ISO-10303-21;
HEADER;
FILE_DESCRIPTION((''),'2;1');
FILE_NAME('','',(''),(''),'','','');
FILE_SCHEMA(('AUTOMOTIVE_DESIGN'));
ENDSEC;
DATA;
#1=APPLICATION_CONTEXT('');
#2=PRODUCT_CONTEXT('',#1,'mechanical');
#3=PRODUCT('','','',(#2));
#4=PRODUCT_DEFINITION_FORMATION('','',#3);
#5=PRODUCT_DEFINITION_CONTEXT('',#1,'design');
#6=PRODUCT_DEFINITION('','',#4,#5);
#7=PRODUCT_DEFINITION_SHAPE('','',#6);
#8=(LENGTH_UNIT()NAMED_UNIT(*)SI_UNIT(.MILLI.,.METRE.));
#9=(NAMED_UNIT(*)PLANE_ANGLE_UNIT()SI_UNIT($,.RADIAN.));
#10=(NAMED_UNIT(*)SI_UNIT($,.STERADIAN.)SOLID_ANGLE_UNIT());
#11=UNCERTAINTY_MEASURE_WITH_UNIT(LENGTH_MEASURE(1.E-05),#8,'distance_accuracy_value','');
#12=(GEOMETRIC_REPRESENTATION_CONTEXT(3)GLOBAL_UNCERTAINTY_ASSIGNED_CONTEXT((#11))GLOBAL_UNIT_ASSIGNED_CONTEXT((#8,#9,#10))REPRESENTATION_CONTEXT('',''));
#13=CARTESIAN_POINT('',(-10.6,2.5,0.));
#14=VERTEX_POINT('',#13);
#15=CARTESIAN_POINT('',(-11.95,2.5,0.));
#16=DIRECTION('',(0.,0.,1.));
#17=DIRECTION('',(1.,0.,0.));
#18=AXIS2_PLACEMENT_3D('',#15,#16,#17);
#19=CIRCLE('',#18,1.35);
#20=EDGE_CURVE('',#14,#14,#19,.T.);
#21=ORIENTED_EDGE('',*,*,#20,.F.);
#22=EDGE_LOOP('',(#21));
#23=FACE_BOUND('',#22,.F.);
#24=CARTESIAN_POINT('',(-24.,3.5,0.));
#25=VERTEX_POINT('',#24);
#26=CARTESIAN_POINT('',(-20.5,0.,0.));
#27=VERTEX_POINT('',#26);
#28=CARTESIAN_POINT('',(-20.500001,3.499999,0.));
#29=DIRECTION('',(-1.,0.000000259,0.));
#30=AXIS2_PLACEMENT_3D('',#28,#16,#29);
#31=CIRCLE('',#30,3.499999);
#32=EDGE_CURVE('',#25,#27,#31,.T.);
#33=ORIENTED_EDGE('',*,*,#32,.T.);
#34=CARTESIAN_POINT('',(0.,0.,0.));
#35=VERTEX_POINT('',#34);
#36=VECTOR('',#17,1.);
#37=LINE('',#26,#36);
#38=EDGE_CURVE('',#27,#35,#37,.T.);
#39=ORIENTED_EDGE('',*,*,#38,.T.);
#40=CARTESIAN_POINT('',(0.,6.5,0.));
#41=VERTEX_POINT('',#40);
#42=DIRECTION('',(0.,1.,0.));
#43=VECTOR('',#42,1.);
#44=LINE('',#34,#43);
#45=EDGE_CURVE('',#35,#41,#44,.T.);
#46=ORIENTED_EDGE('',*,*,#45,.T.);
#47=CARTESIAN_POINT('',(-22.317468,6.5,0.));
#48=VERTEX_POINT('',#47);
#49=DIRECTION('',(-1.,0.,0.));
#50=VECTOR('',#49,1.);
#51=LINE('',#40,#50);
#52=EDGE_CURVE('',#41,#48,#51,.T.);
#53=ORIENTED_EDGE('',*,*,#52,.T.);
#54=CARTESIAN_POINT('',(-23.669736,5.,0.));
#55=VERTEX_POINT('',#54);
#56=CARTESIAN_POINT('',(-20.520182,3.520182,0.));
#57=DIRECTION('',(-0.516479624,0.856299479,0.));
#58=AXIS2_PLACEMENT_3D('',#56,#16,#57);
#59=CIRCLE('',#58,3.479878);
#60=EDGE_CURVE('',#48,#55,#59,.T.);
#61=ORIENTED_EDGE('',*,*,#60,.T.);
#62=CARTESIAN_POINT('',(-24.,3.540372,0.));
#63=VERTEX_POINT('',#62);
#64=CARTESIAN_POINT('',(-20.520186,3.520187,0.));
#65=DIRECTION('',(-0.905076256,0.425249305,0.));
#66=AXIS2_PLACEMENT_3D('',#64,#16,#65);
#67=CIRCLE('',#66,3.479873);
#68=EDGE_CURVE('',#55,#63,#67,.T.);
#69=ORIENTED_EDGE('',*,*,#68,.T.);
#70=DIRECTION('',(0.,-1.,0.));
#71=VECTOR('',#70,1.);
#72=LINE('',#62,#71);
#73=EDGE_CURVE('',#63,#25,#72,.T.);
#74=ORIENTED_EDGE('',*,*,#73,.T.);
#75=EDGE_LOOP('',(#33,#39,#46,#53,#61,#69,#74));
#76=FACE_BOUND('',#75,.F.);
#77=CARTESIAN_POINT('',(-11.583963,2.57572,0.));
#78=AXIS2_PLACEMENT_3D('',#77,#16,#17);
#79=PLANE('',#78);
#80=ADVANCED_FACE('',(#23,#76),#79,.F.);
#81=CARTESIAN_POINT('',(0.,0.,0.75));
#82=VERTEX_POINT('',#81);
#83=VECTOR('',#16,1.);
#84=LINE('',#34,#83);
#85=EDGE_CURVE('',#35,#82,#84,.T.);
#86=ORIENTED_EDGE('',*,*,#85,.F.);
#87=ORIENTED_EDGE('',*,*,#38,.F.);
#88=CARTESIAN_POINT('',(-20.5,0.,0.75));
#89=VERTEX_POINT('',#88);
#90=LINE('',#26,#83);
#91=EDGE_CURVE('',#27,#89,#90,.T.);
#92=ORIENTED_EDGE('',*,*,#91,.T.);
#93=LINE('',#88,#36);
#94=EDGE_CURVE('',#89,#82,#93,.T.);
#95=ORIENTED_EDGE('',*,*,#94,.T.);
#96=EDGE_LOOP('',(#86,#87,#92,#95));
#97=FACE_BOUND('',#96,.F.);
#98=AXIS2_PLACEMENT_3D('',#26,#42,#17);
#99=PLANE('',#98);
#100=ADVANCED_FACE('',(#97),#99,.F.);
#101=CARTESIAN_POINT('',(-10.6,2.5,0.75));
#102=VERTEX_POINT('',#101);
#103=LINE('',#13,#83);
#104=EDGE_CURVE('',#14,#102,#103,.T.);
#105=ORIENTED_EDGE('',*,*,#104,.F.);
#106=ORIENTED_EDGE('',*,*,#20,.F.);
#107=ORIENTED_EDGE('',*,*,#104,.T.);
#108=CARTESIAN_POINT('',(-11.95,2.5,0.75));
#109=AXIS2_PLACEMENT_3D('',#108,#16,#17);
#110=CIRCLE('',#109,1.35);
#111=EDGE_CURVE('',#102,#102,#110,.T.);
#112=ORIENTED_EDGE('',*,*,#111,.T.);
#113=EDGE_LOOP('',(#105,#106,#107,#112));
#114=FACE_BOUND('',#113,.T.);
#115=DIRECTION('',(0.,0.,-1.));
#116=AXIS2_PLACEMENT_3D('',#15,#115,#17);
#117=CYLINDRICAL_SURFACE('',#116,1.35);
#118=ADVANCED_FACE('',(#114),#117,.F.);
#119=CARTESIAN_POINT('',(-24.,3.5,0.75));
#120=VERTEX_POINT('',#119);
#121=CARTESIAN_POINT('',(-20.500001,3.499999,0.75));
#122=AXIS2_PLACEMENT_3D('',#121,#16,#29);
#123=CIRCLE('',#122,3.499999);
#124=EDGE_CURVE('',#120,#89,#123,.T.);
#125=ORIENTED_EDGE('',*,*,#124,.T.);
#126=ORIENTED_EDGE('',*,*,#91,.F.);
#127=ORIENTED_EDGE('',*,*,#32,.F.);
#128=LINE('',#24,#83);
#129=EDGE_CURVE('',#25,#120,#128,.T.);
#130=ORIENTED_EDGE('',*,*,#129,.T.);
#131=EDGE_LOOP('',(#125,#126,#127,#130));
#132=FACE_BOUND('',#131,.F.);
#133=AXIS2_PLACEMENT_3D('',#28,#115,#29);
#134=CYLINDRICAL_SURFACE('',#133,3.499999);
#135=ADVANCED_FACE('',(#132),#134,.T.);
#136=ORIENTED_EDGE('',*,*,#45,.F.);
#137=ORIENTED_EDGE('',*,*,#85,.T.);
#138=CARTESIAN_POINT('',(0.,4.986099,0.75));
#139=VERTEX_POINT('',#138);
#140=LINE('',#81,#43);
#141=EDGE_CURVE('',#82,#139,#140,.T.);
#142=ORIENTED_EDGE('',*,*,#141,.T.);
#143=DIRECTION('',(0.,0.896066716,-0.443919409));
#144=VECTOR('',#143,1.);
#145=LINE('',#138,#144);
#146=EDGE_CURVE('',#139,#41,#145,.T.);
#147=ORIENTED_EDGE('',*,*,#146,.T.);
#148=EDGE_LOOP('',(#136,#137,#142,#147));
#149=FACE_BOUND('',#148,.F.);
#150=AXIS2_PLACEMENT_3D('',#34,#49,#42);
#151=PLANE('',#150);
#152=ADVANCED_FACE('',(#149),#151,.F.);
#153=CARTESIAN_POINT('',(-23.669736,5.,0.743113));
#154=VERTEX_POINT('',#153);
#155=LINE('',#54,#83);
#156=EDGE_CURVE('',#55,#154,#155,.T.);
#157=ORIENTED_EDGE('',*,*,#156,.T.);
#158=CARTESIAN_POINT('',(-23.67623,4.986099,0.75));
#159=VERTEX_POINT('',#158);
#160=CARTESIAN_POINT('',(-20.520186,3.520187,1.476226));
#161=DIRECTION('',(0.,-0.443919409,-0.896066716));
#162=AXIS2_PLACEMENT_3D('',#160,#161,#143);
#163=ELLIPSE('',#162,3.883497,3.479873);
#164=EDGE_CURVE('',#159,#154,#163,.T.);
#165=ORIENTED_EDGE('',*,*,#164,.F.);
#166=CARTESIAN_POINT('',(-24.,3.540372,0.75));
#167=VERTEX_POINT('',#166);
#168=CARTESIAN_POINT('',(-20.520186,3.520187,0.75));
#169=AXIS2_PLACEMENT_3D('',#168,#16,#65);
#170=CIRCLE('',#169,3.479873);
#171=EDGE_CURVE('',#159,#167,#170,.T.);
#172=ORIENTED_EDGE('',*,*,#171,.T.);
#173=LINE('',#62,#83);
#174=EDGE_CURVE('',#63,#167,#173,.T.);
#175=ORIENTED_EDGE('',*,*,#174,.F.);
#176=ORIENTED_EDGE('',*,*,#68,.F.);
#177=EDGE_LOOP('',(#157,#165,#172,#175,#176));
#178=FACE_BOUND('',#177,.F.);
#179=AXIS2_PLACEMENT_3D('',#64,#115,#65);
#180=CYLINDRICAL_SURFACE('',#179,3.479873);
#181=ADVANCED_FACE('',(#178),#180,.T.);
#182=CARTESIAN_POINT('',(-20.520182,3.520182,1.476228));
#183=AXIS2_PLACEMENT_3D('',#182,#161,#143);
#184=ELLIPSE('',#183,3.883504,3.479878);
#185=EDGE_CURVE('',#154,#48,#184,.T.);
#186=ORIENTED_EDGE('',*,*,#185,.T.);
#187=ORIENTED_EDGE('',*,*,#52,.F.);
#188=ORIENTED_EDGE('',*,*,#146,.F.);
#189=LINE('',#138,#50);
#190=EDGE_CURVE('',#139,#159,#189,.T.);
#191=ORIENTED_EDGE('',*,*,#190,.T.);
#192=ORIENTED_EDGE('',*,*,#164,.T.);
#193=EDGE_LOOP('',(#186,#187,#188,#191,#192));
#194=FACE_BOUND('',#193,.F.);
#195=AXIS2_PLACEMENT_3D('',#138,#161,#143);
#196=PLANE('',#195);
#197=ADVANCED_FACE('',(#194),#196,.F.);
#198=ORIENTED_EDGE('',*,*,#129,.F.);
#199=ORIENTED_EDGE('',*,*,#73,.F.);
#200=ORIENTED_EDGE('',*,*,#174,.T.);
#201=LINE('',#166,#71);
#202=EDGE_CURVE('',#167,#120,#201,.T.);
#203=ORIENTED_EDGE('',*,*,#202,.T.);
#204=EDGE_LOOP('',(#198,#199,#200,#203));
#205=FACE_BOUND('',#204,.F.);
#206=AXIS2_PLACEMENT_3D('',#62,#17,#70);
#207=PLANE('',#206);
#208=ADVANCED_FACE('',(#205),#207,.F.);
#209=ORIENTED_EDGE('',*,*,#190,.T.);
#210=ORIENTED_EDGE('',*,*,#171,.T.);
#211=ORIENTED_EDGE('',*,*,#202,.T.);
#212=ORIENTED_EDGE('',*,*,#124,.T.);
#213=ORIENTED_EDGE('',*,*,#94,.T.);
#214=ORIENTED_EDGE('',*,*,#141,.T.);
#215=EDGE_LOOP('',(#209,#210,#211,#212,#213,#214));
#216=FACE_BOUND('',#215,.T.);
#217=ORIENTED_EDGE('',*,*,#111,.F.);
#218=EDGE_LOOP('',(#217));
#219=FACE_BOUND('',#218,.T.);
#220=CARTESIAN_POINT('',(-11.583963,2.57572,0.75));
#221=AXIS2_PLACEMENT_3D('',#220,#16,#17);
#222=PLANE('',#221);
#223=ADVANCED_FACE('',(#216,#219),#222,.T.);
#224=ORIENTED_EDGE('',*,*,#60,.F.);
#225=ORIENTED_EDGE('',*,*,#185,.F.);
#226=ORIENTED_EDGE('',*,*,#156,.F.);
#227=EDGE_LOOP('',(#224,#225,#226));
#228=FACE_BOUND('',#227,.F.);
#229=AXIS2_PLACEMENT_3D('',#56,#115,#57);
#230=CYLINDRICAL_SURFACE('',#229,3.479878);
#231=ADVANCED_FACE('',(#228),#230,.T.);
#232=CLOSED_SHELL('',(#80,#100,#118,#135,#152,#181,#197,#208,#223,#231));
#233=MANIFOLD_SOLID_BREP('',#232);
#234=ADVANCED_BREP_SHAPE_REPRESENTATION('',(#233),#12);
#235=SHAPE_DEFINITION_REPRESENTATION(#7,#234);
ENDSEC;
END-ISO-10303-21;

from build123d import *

# Parameters (mm, degrees)
F0_R     = 1.35
F1_DEPTH = 0.75
F3_DEPTH = 24.001


with BuildPart() as f1:
    # F0 (on Top) → F1 (new body)
    with BuildSketch(Plane.XY):
        with BuildLine():
            Line((-20.5, 0), (0, 0))
            Line((0, 0), (0, 5))
            Line((0, 5), (-23.669736, 5))
            ThreePointArc((-23.669736, 5), (-23.914261, 4.28815), (-24, 3.540372))
            Line((-24, 3.540372), (-24, 3.5))
            ThreePointArc((-24, 3.5), (-22.974874, 1.025126), (-20.5, 0))
        make_face()
        with Locations((-11.95, 2.5)):
            Circle(F0_R, mode=Mode.SUBTRACT)
        with BuildLine():
            Line((-23.669736, 5), (0, 5))
            Line((0, 5), (0, 6.5))
            Line((0, 6.5), (-22.317468, 6.5))
            ThreePointArc((-22.317468, 6.5), (-23.104811, 5.850256), (-23.669736, 5))
        make_face()
    extrude(amount=F1_DEPTH)

    # F2 (on face) → F3 (cut, through all)
    with BuildSketch(Plane.YZ):
        Polygon((6.5, 0.75), (4.986099, 0.75), (6.5, 0), align=None)
    extrude(amount=-F3_DEPTH, mode=Mode.SUBTRACT)


solid = f1.part
